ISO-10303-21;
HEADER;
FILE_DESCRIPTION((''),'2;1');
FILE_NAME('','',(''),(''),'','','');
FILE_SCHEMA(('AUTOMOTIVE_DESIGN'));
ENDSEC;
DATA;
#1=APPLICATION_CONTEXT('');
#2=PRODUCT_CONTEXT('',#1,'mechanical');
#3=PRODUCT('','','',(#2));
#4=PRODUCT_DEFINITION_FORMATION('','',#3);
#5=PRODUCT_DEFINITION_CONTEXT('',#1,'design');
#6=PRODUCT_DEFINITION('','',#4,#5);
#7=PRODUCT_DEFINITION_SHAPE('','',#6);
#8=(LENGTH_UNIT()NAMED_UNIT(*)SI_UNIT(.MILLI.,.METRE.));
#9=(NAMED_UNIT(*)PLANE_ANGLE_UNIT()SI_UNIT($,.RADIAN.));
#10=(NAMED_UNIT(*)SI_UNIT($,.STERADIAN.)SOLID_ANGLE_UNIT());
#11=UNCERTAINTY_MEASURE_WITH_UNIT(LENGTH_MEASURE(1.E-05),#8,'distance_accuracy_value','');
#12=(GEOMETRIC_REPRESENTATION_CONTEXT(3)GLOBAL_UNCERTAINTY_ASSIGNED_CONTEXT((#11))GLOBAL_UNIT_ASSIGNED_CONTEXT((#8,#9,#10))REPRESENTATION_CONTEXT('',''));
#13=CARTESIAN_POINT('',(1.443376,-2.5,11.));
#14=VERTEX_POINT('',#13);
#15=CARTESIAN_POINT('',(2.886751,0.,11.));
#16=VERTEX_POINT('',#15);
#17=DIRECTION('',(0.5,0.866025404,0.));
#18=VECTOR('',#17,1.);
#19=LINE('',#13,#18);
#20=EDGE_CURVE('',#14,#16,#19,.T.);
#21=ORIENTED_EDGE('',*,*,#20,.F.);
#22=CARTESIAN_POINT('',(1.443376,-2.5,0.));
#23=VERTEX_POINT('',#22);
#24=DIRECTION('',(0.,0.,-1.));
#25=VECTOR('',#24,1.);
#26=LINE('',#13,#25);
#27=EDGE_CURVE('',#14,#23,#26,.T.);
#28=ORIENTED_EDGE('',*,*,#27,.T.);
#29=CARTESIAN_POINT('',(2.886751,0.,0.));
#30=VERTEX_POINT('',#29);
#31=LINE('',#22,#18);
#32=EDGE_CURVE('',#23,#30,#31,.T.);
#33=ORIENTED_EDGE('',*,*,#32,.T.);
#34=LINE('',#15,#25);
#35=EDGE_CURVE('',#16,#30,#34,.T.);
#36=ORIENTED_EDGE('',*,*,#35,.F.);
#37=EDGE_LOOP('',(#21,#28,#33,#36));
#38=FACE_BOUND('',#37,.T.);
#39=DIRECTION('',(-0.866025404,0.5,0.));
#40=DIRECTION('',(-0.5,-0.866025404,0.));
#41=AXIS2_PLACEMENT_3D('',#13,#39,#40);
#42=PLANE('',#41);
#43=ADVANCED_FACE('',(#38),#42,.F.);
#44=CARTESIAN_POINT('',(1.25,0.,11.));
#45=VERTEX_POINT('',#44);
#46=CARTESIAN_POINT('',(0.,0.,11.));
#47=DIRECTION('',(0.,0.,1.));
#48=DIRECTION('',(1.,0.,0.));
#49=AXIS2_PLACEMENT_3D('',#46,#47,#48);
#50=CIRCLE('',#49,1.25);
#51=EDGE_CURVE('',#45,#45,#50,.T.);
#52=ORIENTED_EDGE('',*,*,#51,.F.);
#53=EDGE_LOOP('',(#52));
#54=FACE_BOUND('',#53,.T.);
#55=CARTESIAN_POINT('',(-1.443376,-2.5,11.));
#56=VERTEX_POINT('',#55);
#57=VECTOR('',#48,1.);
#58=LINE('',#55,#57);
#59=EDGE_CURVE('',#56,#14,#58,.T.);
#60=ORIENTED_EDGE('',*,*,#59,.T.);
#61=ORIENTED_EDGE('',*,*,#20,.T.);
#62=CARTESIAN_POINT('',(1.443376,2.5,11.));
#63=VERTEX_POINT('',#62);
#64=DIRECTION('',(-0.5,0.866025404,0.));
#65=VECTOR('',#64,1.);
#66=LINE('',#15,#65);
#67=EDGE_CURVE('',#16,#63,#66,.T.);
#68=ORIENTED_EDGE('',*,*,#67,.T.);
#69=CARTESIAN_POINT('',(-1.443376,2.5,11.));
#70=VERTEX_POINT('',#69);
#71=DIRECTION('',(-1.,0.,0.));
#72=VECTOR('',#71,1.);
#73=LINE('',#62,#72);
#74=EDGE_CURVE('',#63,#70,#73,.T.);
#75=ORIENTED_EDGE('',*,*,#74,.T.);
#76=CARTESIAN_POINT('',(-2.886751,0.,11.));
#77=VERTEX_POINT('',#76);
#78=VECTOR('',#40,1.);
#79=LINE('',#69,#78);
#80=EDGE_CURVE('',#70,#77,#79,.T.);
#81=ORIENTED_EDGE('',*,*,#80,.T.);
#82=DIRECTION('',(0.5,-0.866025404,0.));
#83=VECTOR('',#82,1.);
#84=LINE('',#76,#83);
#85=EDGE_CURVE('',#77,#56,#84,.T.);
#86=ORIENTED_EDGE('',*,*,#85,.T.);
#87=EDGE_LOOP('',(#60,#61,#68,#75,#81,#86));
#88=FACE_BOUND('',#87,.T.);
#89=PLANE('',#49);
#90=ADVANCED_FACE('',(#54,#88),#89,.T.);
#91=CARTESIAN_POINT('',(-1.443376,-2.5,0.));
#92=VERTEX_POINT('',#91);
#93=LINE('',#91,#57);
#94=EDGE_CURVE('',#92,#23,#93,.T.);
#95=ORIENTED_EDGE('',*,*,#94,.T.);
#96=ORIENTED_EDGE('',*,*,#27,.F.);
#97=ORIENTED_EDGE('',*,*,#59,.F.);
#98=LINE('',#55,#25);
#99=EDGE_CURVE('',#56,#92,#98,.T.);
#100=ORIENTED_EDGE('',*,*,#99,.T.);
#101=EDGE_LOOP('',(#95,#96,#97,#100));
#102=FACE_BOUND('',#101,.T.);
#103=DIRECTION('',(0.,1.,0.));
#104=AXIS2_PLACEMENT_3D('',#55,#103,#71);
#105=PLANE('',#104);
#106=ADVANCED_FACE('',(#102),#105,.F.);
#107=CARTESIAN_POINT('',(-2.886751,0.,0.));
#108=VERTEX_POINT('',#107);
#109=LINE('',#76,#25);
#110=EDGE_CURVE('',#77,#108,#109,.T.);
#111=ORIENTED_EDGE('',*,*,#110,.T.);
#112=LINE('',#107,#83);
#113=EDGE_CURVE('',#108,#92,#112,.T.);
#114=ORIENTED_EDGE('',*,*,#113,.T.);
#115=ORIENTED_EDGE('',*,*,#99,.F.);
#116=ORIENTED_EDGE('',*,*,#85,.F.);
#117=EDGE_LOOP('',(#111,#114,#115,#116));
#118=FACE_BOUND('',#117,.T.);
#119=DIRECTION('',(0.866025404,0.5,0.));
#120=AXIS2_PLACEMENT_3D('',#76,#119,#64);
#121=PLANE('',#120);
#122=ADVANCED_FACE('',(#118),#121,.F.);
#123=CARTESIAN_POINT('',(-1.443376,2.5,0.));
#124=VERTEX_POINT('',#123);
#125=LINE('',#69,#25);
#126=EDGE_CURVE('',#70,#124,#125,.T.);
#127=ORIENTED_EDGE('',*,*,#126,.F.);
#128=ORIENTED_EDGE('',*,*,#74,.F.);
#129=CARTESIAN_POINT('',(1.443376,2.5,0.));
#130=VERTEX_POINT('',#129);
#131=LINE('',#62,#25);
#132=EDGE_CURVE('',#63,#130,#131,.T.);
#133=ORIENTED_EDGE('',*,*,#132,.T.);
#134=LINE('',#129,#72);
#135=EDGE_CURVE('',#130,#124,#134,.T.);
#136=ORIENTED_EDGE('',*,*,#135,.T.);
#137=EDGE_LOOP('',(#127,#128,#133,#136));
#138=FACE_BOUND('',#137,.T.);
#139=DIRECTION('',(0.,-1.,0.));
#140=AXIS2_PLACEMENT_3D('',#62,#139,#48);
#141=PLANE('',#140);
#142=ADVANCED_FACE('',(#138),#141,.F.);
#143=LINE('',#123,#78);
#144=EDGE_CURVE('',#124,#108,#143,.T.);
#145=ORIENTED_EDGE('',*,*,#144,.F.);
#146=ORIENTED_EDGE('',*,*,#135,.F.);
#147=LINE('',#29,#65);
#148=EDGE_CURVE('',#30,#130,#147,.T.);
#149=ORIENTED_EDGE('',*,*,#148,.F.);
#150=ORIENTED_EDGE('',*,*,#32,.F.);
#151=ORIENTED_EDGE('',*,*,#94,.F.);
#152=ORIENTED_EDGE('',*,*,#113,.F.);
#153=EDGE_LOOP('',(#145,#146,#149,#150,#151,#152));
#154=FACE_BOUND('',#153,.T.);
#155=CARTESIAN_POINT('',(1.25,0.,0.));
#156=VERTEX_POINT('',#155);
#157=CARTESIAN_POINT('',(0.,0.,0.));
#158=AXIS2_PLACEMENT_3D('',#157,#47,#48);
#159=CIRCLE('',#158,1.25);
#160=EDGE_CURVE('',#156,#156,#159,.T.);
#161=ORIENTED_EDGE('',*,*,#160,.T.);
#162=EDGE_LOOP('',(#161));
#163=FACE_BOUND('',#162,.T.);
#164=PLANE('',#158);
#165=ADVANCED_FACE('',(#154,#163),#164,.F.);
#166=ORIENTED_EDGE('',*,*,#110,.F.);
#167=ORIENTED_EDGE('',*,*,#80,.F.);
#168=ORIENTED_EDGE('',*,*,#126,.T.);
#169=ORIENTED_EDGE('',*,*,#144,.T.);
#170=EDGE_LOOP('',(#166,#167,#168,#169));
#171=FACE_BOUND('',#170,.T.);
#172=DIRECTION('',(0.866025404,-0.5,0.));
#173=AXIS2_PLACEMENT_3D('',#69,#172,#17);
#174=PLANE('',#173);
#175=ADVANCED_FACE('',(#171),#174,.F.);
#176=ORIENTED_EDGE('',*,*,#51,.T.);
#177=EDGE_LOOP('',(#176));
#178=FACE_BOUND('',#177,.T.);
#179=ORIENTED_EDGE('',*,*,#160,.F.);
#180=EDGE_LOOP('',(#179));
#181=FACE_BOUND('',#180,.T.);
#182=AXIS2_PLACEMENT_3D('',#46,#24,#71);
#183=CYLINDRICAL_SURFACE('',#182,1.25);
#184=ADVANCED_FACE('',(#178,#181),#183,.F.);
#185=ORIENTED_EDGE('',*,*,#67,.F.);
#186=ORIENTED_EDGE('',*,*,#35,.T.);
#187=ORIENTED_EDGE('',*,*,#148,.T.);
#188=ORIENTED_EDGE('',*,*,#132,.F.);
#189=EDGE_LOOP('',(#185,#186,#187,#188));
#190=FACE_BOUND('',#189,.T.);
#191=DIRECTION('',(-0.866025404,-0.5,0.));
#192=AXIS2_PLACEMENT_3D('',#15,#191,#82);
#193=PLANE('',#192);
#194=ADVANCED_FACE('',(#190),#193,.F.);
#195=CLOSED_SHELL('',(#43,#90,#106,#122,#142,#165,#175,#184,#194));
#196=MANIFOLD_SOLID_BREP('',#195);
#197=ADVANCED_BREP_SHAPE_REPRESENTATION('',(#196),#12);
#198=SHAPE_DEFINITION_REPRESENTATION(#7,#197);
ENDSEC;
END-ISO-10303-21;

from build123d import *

# Parameters (mm, degrees)
SKETCH1_R   = 1.25
HEX_2_DEPTH = 11


with BuildPart() as part:
    # Sketch1 → Hex 2 (new body)
    with BuildSketch(Plane.XY):
        Polygon((2.886751346, 0), (1.443375673, 2.5), (-1.443375673, 2.5), (-2.886751346, 0), (-1.443375673, -2.5), (1.443375673, -2.5), align=None)
        Circle(SKETCH1_R, mode=Mode.SUBTRACT)
    extrude(amount=HEX_2_DEPTH)


solid = part.part
